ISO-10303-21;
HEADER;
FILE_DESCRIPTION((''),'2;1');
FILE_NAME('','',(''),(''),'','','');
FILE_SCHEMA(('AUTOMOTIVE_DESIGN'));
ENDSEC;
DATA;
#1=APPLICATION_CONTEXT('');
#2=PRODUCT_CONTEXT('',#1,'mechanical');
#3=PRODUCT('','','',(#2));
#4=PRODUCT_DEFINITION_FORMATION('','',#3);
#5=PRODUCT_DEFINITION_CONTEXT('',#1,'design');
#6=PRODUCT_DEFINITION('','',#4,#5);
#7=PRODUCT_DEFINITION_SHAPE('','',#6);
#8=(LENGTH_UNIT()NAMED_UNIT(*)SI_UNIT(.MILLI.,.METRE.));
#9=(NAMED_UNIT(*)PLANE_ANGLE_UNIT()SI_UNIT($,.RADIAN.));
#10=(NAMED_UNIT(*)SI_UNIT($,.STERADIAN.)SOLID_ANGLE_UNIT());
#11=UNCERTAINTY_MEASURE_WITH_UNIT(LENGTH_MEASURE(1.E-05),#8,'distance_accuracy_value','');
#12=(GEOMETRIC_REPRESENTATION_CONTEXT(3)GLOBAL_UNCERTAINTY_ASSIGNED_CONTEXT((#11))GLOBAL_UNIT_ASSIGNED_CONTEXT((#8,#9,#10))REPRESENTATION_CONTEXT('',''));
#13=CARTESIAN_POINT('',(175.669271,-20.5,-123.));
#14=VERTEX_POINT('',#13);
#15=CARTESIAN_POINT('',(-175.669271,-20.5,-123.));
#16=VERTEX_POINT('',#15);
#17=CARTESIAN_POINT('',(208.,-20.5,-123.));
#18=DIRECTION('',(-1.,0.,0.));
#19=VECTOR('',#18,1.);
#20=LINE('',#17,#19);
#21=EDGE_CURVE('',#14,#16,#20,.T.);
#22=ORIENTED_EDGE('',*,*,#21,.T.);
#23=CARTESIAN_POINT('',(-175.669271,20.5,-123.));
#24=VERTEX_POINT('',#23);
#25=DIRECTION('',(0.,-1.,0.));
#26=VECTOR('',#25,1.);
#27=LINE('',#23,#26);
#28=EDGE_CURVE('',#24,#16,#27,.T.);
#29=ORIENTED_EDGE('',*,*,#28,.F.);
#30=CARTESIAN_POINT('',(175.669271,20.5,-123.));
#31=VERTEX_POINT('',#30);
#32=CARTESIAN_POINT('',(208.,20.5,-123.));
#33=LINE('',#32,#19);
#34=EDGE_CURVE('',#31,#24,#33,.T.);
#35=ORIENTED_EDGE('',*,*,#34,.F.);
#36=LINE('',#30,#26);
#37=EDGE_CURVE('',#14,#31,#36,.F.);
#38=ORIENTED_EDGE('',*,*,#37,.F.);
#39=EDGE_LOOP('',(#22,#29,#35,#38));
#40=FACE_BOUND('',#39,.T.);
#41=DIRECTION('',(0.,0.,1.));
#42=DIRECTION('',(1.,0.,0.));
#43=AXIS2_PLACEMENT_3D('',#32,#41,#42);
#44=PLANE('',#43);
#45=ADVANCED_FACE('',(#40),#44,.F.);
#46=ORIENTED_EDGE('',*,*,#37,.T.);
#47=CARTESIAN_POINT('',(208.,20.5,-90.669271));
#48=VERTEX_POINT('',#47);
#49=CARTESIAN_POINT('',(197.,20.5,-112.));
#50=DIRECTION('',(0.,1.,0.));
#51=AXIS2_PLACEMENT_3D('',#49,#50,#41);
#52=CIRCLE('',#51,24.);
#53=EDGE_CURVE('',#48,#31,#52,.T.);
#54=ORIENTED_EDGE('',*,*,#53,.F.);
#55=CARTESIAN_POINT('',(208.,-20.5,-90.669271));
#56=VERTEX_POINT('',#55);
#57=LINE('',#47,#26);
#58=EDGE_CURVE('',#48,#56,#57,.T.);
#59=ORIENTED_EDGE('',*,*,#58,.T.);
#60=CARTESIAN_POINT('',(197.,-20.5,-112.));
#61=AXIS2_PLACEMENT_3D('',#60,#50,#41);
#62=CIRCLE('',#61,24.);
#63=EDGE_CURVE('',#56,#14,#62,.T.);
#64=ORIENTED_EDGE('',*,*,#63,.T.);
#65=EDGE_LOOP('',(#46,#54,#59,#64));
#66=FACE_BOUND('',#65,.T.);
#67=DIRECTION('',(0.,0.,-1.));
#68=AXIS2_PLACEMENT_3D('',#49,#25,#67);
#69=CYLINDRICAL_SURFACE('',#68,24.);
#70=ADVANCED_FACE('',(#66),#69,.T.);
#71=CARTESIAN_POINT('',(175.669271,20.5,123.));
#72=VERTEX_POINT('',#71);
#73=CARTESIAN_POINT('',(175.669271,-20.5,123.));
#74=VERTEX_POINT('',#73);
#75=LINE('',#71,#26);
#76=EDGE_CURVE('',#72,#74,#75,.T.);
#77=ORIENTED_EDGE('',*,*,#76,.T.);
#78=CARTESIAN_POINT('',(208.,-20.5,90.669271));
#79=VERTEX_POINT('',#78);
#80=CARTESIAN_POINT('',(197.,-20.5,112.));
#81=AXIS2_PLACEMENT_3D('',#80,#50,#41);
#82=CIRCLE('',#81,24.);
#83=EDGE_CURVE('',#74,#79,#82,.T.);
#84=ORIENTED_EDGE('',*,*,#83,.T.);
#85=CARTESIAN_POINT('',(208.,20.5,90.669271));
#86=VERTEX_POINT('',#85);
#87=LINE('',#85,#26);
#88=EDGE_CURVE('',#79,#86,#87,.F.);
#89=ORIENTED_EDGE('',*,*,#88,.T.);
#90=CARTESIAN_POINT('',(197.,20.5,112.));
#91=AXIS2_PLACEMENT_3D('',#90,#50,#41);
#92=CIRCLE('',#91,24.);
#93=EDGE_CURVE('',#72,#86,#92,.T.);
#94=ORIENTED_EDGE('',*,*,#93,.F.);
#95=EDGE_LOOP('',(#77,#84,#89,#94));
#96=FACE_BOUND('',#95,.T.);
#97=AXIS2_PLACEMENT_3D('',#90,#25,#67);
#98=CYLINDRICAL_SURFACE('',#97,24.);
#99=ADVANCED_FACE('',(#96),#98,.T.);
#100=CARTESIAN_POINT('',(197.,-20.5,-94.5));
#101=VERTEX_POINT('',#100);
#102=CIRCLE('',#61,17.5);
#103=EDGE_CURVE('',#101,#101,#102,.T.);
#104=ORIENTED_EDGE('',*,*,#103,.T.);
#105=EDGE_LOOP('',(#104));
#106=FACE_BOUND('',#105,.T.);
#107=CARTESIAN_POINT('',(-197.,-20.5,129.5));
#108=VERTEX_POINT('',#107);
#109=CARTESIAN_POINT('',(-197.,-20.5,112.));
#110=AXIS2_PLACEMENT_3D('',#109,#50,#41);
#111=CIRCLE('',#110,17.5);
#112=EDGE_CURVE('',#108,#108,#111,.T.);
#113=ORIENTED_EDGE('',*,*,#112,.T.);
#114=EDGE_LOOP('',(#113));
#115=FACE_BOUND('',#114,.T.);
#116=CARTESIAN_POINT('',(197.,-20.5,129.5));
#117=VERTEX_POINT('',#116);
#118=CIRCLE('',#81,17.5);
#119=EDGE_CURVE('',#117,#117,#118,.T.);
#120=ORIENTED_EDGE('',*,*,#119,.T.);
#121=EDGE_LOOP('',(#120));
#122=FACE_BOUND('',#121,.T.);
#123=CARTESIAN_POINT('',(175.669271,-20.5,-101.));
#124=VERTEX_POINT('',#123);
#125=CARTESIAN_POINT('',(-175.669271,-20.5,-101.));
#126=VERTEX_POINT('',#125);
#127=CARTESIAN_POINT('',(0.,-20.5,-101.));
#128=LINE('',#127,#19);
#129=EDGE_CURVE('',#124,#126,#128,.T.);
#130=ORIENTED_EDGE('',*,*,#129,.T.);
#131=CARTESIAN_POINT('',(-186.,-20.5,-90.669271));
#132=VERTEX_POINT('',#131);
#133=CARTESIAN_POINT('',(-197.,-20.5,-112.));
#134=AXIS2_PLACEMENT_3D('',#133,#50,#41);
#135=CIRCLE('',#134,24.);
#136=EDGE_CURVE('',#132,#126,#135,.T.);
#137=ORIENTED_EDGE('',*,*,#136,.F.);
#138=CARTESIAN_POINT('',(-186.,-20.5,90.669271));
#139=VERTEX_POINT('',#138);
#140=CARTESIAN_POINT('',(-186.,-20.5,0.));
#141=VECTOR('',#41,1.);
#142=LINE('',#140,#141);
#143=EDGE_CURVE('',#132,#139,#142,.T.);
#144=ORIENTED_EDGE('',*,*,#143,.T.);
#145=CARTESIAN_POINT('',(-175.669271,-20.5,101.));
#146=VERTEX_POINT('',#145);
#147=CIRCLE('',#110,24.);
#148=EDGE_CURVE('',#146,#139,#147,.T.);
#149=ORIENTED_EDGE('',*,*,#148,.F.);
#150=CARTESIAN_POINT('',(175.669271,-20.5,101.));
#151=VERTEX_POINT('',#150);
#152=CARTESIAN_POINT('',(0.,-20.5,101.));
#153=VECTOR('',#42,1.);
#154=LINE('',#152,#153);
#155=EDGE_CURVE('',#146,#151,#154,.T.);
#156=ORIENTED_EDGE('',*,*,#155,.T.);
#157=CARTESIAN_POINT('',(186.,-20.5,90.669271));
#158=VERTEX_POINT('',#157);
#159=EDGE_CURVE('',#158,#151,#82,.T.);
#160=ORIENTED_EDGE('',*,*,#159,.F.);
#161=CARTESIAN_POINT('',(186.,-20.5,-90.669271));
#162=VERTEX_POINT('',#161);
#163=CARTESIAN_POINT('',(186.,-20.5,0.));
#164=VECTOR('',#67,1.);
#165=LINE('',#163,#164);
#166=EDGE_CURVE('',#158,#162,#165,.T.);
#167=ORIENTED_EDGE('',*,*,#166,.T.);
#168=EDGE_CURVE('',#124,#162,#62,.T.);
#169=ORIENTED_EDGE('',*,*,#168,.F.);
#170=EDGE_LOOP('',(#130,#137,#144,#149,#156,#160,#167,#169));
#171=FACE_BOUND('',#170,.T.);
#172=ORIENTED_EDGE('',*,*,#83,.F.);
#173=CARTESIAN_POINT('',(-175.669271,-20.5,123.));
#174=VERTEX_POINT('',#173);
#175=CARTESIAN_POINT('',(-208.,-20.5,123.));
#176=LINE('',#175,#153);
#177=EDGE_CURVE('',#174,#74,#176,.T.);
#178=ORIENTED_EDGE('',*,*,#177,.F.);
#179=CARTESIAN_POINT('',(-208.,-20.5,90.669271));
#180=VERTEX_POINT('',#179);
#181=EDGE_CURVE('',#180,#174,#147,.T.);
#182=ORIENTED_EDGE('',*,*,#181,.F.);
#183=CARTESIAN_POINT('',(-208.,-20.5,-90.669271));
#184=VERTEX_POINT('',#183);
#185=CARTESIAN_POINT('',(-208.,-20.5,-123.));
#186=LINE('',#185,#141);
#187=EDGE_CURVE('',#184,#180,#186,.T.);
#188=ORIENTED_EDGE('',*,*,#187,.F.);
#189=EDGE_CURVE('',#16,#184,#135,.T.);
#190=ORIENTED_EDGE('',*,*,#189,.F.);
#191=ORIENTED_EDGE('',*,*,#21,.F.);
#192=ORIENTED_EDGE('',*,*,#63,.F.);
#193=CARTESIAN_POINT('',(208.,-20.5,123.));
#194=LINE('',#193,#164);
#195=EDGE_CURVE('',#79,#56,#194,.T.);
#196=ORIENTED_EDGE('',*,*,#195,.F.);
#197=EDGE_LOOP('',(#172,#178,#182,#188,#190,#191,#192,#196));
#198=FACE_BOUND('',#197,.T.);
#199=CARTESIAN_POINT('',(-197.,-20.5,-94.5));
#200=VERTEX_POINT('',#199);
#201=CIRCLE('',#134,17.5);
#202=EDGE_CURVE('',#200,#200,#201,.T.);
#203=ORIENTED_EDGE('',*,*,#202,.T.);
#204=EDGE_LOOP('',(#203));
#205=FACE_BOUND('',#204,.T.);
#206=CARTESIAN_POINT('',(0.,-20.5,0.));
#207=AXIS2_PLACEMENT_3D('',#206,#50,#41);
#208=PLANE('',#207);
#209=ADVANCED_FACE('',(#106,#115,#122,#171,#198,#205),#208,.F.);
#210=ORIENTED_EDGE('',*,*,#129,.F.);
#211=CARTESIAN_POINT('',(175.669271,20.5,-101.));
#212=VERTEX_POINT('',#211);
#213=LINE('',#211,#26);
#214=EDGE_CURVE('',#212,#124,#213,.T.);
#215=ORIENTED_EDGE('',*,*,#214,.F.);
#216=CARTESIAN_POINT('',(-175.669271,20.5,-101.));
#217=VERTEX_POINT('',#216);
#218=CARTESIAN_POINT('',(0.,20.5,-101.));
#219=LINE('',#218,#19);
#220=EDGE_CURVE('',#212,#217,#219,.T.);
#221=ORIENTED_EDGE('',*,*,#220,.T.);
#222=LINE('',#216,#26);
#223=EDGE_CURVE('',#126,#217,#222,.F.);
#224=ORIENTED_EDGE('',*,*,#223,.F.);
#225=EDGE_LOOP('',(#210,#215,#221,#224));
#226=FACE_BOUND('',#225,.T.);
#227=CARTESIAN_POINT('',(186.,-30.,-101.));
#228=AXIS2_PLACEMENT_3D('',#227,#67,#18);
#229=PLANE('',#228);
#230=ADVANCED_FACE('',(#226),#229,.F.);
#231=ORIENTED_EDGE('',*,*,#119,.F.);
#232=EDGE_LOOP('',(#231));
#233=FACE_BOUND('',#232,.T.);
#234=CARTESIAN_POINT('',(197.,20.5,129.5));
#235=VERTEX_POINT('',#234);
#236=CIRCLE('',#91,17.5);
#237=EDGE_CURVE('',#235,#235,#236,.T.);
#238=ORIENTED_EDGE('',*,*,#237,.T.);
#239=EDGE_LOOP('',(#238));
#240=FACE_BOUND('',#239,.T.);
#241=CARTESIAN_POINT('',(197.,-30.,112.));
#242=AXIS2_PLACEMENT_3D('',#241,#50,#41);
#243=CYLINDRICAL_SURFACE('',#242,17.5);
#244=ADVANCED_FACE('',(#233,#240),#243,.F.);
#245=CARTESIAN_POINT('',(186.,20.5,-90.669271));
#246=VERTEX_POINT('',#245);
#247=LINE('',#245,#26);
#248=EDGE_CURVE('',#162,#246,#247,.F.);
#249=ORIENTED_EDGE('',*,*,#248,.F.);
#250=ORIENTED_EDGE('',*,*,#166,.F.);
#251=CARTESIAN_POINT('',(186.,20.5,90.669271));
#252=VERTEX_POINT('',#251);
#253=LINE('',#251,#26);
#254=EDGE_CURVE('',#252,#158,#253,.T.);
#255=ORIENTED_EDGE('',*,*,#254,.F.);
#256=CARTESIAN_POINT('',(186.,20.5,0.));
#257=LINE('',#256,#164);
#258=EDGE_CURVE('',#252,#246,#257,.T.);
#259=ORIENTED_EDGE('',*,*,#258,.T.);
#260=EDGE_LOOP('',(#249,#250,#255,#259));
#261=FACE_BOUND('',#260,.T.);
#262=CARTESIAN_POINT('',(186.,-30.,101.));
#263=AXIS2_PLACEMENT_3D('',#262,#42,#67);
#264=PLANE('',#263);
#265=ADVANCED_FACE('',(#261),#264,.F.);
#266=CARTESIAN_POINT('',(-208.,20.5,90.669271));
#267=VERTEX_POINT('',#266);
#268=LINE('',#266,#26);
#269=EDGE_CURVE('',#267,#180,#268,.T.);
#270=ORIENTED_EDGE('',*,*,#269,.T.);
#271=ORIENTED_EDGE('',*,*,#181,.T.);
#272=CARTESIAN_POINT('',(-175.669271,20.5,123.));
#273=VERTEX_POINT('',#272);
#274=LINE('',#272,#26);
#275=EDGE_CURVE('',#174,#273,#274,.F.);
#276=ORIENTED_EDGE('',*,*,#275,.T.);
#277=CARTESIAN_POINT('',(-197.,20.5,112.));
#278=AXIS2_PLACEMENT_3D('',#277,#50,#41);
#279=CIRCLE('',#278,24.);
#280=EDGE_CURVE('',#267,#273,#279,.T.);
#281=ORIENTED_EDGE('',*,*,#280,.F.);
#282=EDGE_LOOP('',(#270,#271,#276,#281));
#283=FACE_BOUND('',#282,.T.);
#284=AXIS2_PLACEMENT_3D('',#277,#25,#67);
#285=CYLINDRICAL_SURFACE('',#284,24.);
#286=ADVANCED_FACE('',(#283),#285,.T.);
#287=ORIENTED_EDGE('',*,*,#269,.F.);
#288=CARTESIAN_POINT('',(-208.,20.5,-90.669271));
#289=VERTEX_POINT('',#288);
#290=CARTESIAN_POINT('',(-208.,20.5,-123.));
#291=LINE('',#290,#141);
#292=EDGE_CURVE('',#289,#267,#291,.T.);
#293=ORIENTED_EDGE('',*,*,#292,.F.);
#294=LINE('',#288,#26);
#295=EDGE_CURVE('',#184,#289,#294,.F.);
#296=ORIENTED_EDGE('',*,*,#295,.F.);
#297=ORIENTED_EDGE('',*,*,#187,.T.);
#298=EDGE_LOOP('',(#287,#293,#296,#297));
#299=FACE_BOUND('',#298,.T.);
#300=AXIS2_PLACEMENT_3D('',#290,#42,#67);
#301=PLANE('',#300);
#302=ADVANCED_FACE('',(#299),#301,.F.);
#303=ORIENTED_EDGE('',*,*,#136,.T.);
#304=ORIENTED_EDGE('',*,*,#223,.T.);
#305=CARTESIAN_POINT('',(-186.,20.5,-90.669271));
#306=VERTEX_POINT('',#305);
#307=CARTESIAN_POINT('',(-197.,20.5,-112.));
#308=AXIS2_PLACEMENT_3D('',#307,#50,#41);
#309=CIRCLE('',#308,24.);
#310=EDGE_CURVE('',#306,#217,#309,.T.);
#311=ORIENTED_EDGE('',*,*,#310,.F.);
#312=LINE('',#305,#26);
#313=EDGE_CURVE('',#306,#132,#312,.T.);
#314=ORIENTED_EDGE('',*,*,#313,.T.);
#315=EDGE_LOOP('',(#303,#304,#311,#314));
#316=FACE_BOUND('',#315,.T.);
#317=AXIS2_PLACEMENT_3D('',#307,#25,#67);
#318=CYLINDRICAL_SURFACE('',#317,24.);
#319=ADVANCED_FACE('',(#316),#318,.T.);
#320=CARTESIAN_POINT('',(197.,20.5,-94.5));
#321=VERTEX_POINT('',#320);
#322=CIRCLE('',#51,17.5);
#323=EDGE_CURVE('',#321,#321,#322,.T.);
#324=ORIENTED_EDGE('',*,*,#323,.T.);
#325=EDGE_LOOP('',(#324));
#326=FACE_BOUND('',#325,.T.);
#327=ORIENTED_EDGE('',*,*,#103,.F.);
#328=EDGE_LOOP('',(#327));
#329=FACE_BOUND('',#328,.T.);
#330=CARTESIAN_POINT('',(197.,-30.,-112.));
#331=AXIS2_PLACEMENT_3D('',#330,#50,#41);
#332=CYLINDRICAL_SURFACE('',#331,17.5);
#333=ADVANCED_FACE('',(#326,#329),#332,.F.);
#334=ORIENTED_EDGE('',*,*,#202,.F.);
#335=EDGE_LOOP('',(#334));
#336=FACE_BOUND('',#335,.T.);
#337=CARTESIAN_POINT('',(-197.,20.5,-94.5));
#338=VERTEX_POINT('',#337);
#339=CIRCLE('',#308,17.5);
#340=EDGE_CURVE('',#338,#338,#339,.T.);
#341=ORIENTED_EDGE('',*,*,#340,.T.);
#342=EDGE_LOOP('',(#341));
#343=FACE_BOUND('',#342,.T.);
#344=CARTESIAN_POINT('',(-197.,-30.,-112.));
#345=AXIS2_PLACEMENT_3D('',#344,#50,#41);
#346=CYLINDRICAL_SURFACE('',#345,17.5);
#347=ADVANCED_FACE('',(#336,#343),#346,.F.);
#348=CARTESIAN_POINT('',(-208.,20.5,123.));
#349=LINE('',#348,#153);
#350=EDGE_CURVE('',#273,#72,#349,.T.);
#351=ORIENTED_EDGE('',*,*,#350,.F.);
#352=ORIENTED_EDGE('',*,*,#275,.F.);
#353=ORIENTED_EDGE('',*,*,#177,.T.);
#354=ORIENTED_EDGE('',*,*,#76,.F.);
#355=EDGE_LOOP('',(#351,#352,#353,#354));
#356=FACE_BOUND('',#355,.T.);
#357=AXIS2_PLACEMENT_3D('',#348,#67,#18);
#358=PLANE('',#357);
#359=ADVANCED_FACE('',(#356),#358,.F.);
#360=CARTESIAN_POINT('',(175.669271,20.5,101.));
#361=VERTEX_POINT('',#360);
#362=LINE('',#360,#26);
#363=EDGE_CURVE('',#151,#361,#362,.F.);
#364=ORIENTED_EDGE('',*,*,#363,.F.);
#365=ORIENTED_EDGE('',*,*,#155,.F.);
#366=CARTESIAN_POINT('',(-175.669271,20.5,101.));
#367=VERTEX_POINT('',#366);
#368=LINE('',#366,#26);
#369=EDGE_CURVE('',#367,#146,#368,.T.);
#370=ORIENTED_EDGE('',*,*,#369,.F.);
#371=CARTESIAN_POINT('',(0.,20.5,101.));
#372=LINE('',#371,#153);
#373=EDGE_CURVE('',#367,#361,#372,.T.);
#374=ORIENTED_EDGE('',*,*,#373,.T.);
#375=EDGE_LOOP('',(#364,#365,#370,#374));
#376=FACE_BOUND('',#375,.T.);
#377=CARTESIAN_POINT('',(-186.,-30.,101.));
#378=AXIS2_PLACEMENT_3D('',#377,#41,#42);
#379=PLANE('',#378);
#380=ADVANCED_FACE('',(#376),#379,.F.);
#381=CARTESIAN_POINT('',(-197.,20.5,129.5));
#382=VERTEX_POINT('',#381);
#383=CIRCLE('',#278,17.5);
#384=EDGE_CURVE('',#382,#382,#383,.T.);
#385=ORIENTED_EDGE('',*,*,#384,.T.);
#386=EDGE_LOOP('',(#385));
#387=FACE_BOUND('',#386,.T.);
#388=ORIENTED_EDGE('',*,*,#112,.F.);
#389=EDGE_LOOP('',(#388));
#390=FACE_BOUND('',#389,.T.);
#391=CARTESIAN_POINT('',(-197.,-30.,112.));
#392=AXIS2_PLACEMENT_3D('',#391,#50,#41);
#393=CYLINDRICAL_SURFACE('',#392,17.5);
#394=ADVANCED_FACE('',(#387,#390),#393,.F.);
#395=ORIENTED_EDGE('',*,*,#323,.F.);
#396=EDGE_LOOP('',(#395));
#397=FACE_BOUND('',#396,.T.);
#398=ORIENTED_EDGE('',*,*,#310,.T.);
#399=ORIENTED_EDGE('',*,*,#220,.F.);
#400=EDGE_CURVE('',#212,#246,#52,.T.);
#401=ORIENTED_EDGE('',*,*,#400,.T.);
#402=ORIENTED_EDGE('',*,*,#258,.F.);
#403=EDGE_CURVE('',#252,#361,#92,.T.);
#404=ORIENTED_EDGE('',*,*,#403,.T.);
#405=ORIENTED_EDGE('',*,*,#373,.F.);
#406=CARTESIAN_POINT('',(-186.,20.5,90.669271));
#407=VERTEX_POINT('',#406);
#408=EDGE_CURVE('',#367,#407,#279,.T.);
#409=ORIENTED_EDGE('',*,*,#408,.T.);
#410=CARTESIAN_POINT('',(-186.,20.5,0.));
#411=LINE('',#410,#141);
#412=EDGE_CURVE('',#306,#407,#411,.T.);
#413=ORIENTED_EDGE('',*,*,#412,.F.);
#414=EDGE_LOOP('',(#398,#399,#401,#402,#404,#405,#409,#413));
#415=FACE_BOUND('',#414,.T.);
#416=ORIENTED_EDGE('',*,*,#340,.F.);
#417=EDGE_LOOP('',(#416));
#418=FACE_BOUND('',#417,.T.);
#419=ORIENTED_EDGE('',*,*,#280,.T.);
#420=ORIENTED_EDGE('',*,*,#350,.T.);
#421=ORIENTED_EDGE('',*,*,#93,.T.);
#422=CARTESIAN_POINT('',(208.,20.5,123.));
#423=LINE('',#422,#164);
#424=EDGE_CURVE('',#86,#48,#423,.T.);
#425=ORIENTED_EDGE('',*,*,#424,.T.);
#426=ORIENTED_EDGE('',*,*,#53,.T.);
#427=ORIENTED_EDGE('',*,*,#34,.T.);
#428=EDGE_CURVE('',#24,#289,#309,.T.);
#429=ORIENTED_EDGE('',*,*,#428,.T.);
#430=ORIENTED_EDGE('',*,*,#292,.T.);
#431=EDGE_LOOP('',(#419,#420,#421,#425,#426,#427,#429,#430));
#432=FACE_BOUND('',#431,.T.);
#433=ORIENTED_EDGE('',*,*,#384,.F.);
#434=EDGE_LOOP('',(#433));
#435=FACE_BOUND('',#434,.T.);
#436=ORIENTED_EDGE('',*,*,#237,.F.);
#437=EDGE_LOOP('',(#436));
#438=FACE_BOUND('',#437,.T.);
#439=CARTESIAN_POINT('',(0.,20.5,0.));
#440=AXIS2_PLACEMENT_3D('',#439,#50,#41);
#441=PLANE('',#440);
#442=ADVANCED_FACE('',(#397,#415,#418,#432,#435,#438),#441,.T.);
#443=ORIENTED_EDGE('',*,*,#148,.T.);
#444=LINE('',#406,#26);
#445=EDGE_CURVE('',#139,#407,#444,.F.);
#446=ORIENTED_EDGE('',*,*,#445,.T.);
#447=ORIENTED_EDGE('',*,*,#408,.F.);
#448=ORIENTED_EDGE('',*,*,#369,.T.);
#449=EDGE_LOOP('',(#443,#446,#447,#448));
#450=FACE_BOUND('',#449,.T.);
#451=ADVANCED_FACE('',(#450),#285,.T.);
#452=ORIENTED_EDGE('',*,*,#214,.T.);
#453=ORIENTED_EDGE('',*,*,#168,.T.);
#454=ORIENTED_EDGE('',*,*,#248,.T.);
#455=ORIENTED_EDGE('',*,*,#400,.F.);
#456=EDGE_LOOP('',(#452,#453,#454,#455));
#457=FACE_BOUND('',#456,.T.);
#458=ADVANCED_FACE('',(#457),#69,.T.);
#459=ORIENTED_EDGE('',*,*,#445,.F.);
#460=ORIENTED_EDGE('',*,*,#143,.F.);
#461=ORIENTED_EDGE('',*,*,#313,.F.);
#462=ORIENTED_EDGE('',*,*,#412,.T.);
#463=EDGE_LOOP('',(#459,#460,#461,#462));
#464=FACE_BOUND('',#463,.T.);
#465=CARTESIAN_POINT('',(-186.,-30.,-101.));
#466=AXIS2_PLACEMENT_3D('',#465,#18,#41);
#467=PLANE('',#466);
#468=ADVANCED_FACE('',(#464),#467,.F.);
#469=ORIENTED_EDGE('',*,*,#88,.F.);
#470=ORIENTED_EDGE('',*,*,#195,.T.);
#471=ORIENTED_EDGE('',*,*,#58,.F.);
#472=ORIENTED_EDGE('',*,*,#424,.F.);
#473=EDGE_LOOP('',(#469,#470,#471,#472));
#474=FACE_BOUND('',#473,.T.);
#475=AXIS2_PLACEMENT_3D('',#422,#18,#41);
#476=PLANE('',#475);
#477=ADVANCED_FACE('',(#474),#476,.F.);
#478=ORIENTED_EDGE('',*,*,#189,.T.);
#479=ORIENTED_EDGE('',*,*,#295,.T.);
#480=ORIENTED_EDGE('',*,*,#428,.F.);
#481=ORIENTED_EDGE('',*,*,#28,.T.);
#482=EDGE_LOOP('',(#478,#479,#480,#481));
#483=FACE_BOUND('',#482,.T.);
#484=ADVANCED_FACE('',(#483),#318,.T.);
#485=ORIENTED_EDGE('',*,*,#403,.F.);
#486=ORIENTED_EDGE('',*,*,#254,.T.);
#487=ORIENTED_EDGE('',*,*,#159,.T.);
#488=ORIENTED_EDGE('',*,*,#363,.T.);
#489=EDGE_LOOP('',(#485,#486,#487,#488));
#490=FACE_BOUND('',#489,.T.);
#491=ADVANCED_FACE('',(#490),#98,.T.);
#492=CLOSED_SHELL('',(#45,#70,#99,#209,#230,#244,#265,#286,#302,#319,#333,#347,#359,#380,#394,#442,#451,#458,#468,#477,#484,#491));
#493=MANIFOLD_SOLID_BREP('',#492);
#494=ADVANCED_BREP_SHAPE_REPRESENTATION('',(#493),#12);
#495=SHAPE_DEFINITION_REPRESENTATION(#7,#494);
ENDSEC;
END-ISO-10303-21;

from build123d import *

# Parameters (mm, degrees)
SKETCH1_W           = 416
SKETCH1_H           = 246
BOSS_EXTRUDE1_DEPTH = 20.5
SKETCH2_W           = 372
SKETCH2_H           = 202
CUT_EXTRUDE1_DEPTH  = 30
SKETCH3_R           = 24
BOSS_EXTRUDE2_DEPTH = 20.5
SKETCH4_R           = 17.5
CUT_EXTRUDE2_DEPTH  = 30


with BuildPart() as part:
    # Sketch1 → Boss-Extrude1 (new, symmetric)
    with BuildSketch(Plane(origin=(0, 0, 0), x_dir=(1, 0, 0), z_dir=(0, 1, 0))):
        Rectangle(SKETCH1_W, SKETCH1_H)
    extrude(amount=BOSS_EXTRUDE1_DEPTH, both=True)

    # Sketch2 → Cut-Extrude1 (cut, symmetric)
    with BuildSketch(Plane(origin=(0, 0, 0), x_dir=(1, 0, 0), z_dir=(0, 1, 0))):
        Rectangle(SKETCH2_W, SKETCH2_H)
    extrude(amount=CUT_EXTRUDE1_DEPTH, both=True, mode=Mode.SUBTRACT)

    # Sketch3 → Boss-Extrude2 (add, symmetric)
    with BuildSketch(Plane(origin=(0, 0, 0), x_dir=(1, 0, 0), z_dir=(0, 1, 0))):
        with Locations((-197, -112)):
            Circle(SKETCH3_R)
        with Locations((-197, 112)):
            Circle(SKETCH3_R)
        with Locations((197, -112)):
            Circle(SKETCH3_R)
        with Locations((197, 112)):
            Circle(SKETCH3_R)
    extrude(amount=BOSS_EXTRUDE2_DEPTH, both=True)

    # Sketch4 → Cut-Extrude2 (cut, symmetric)
    with BuildSketch(Plane(origin=(0, 0, 0), x_dir=(1, 0, 0), z_dir=(0, 1, 0))):
        with Locations(Location((-197, -112, 0), (0, 0, 270))):
            Circle(SKETCH4_R)
        with Locations(Location((-197, 112, 0), (0, 0, 270))):
            Circle(SKETCH4_R)
        with Locations(Location((197, -112, 0), (0, 0, 270))):
            Circle(SKETCH4_R)
        with Locations(Location((197, 112, 0), (0, 0, 270))):
            Circle(SKETCH4_R)
    extrude(amount=CUT_EXTRUDE2_DEPTH, both=True, mode=Mode.SUBTRACT)


solid = part.part
